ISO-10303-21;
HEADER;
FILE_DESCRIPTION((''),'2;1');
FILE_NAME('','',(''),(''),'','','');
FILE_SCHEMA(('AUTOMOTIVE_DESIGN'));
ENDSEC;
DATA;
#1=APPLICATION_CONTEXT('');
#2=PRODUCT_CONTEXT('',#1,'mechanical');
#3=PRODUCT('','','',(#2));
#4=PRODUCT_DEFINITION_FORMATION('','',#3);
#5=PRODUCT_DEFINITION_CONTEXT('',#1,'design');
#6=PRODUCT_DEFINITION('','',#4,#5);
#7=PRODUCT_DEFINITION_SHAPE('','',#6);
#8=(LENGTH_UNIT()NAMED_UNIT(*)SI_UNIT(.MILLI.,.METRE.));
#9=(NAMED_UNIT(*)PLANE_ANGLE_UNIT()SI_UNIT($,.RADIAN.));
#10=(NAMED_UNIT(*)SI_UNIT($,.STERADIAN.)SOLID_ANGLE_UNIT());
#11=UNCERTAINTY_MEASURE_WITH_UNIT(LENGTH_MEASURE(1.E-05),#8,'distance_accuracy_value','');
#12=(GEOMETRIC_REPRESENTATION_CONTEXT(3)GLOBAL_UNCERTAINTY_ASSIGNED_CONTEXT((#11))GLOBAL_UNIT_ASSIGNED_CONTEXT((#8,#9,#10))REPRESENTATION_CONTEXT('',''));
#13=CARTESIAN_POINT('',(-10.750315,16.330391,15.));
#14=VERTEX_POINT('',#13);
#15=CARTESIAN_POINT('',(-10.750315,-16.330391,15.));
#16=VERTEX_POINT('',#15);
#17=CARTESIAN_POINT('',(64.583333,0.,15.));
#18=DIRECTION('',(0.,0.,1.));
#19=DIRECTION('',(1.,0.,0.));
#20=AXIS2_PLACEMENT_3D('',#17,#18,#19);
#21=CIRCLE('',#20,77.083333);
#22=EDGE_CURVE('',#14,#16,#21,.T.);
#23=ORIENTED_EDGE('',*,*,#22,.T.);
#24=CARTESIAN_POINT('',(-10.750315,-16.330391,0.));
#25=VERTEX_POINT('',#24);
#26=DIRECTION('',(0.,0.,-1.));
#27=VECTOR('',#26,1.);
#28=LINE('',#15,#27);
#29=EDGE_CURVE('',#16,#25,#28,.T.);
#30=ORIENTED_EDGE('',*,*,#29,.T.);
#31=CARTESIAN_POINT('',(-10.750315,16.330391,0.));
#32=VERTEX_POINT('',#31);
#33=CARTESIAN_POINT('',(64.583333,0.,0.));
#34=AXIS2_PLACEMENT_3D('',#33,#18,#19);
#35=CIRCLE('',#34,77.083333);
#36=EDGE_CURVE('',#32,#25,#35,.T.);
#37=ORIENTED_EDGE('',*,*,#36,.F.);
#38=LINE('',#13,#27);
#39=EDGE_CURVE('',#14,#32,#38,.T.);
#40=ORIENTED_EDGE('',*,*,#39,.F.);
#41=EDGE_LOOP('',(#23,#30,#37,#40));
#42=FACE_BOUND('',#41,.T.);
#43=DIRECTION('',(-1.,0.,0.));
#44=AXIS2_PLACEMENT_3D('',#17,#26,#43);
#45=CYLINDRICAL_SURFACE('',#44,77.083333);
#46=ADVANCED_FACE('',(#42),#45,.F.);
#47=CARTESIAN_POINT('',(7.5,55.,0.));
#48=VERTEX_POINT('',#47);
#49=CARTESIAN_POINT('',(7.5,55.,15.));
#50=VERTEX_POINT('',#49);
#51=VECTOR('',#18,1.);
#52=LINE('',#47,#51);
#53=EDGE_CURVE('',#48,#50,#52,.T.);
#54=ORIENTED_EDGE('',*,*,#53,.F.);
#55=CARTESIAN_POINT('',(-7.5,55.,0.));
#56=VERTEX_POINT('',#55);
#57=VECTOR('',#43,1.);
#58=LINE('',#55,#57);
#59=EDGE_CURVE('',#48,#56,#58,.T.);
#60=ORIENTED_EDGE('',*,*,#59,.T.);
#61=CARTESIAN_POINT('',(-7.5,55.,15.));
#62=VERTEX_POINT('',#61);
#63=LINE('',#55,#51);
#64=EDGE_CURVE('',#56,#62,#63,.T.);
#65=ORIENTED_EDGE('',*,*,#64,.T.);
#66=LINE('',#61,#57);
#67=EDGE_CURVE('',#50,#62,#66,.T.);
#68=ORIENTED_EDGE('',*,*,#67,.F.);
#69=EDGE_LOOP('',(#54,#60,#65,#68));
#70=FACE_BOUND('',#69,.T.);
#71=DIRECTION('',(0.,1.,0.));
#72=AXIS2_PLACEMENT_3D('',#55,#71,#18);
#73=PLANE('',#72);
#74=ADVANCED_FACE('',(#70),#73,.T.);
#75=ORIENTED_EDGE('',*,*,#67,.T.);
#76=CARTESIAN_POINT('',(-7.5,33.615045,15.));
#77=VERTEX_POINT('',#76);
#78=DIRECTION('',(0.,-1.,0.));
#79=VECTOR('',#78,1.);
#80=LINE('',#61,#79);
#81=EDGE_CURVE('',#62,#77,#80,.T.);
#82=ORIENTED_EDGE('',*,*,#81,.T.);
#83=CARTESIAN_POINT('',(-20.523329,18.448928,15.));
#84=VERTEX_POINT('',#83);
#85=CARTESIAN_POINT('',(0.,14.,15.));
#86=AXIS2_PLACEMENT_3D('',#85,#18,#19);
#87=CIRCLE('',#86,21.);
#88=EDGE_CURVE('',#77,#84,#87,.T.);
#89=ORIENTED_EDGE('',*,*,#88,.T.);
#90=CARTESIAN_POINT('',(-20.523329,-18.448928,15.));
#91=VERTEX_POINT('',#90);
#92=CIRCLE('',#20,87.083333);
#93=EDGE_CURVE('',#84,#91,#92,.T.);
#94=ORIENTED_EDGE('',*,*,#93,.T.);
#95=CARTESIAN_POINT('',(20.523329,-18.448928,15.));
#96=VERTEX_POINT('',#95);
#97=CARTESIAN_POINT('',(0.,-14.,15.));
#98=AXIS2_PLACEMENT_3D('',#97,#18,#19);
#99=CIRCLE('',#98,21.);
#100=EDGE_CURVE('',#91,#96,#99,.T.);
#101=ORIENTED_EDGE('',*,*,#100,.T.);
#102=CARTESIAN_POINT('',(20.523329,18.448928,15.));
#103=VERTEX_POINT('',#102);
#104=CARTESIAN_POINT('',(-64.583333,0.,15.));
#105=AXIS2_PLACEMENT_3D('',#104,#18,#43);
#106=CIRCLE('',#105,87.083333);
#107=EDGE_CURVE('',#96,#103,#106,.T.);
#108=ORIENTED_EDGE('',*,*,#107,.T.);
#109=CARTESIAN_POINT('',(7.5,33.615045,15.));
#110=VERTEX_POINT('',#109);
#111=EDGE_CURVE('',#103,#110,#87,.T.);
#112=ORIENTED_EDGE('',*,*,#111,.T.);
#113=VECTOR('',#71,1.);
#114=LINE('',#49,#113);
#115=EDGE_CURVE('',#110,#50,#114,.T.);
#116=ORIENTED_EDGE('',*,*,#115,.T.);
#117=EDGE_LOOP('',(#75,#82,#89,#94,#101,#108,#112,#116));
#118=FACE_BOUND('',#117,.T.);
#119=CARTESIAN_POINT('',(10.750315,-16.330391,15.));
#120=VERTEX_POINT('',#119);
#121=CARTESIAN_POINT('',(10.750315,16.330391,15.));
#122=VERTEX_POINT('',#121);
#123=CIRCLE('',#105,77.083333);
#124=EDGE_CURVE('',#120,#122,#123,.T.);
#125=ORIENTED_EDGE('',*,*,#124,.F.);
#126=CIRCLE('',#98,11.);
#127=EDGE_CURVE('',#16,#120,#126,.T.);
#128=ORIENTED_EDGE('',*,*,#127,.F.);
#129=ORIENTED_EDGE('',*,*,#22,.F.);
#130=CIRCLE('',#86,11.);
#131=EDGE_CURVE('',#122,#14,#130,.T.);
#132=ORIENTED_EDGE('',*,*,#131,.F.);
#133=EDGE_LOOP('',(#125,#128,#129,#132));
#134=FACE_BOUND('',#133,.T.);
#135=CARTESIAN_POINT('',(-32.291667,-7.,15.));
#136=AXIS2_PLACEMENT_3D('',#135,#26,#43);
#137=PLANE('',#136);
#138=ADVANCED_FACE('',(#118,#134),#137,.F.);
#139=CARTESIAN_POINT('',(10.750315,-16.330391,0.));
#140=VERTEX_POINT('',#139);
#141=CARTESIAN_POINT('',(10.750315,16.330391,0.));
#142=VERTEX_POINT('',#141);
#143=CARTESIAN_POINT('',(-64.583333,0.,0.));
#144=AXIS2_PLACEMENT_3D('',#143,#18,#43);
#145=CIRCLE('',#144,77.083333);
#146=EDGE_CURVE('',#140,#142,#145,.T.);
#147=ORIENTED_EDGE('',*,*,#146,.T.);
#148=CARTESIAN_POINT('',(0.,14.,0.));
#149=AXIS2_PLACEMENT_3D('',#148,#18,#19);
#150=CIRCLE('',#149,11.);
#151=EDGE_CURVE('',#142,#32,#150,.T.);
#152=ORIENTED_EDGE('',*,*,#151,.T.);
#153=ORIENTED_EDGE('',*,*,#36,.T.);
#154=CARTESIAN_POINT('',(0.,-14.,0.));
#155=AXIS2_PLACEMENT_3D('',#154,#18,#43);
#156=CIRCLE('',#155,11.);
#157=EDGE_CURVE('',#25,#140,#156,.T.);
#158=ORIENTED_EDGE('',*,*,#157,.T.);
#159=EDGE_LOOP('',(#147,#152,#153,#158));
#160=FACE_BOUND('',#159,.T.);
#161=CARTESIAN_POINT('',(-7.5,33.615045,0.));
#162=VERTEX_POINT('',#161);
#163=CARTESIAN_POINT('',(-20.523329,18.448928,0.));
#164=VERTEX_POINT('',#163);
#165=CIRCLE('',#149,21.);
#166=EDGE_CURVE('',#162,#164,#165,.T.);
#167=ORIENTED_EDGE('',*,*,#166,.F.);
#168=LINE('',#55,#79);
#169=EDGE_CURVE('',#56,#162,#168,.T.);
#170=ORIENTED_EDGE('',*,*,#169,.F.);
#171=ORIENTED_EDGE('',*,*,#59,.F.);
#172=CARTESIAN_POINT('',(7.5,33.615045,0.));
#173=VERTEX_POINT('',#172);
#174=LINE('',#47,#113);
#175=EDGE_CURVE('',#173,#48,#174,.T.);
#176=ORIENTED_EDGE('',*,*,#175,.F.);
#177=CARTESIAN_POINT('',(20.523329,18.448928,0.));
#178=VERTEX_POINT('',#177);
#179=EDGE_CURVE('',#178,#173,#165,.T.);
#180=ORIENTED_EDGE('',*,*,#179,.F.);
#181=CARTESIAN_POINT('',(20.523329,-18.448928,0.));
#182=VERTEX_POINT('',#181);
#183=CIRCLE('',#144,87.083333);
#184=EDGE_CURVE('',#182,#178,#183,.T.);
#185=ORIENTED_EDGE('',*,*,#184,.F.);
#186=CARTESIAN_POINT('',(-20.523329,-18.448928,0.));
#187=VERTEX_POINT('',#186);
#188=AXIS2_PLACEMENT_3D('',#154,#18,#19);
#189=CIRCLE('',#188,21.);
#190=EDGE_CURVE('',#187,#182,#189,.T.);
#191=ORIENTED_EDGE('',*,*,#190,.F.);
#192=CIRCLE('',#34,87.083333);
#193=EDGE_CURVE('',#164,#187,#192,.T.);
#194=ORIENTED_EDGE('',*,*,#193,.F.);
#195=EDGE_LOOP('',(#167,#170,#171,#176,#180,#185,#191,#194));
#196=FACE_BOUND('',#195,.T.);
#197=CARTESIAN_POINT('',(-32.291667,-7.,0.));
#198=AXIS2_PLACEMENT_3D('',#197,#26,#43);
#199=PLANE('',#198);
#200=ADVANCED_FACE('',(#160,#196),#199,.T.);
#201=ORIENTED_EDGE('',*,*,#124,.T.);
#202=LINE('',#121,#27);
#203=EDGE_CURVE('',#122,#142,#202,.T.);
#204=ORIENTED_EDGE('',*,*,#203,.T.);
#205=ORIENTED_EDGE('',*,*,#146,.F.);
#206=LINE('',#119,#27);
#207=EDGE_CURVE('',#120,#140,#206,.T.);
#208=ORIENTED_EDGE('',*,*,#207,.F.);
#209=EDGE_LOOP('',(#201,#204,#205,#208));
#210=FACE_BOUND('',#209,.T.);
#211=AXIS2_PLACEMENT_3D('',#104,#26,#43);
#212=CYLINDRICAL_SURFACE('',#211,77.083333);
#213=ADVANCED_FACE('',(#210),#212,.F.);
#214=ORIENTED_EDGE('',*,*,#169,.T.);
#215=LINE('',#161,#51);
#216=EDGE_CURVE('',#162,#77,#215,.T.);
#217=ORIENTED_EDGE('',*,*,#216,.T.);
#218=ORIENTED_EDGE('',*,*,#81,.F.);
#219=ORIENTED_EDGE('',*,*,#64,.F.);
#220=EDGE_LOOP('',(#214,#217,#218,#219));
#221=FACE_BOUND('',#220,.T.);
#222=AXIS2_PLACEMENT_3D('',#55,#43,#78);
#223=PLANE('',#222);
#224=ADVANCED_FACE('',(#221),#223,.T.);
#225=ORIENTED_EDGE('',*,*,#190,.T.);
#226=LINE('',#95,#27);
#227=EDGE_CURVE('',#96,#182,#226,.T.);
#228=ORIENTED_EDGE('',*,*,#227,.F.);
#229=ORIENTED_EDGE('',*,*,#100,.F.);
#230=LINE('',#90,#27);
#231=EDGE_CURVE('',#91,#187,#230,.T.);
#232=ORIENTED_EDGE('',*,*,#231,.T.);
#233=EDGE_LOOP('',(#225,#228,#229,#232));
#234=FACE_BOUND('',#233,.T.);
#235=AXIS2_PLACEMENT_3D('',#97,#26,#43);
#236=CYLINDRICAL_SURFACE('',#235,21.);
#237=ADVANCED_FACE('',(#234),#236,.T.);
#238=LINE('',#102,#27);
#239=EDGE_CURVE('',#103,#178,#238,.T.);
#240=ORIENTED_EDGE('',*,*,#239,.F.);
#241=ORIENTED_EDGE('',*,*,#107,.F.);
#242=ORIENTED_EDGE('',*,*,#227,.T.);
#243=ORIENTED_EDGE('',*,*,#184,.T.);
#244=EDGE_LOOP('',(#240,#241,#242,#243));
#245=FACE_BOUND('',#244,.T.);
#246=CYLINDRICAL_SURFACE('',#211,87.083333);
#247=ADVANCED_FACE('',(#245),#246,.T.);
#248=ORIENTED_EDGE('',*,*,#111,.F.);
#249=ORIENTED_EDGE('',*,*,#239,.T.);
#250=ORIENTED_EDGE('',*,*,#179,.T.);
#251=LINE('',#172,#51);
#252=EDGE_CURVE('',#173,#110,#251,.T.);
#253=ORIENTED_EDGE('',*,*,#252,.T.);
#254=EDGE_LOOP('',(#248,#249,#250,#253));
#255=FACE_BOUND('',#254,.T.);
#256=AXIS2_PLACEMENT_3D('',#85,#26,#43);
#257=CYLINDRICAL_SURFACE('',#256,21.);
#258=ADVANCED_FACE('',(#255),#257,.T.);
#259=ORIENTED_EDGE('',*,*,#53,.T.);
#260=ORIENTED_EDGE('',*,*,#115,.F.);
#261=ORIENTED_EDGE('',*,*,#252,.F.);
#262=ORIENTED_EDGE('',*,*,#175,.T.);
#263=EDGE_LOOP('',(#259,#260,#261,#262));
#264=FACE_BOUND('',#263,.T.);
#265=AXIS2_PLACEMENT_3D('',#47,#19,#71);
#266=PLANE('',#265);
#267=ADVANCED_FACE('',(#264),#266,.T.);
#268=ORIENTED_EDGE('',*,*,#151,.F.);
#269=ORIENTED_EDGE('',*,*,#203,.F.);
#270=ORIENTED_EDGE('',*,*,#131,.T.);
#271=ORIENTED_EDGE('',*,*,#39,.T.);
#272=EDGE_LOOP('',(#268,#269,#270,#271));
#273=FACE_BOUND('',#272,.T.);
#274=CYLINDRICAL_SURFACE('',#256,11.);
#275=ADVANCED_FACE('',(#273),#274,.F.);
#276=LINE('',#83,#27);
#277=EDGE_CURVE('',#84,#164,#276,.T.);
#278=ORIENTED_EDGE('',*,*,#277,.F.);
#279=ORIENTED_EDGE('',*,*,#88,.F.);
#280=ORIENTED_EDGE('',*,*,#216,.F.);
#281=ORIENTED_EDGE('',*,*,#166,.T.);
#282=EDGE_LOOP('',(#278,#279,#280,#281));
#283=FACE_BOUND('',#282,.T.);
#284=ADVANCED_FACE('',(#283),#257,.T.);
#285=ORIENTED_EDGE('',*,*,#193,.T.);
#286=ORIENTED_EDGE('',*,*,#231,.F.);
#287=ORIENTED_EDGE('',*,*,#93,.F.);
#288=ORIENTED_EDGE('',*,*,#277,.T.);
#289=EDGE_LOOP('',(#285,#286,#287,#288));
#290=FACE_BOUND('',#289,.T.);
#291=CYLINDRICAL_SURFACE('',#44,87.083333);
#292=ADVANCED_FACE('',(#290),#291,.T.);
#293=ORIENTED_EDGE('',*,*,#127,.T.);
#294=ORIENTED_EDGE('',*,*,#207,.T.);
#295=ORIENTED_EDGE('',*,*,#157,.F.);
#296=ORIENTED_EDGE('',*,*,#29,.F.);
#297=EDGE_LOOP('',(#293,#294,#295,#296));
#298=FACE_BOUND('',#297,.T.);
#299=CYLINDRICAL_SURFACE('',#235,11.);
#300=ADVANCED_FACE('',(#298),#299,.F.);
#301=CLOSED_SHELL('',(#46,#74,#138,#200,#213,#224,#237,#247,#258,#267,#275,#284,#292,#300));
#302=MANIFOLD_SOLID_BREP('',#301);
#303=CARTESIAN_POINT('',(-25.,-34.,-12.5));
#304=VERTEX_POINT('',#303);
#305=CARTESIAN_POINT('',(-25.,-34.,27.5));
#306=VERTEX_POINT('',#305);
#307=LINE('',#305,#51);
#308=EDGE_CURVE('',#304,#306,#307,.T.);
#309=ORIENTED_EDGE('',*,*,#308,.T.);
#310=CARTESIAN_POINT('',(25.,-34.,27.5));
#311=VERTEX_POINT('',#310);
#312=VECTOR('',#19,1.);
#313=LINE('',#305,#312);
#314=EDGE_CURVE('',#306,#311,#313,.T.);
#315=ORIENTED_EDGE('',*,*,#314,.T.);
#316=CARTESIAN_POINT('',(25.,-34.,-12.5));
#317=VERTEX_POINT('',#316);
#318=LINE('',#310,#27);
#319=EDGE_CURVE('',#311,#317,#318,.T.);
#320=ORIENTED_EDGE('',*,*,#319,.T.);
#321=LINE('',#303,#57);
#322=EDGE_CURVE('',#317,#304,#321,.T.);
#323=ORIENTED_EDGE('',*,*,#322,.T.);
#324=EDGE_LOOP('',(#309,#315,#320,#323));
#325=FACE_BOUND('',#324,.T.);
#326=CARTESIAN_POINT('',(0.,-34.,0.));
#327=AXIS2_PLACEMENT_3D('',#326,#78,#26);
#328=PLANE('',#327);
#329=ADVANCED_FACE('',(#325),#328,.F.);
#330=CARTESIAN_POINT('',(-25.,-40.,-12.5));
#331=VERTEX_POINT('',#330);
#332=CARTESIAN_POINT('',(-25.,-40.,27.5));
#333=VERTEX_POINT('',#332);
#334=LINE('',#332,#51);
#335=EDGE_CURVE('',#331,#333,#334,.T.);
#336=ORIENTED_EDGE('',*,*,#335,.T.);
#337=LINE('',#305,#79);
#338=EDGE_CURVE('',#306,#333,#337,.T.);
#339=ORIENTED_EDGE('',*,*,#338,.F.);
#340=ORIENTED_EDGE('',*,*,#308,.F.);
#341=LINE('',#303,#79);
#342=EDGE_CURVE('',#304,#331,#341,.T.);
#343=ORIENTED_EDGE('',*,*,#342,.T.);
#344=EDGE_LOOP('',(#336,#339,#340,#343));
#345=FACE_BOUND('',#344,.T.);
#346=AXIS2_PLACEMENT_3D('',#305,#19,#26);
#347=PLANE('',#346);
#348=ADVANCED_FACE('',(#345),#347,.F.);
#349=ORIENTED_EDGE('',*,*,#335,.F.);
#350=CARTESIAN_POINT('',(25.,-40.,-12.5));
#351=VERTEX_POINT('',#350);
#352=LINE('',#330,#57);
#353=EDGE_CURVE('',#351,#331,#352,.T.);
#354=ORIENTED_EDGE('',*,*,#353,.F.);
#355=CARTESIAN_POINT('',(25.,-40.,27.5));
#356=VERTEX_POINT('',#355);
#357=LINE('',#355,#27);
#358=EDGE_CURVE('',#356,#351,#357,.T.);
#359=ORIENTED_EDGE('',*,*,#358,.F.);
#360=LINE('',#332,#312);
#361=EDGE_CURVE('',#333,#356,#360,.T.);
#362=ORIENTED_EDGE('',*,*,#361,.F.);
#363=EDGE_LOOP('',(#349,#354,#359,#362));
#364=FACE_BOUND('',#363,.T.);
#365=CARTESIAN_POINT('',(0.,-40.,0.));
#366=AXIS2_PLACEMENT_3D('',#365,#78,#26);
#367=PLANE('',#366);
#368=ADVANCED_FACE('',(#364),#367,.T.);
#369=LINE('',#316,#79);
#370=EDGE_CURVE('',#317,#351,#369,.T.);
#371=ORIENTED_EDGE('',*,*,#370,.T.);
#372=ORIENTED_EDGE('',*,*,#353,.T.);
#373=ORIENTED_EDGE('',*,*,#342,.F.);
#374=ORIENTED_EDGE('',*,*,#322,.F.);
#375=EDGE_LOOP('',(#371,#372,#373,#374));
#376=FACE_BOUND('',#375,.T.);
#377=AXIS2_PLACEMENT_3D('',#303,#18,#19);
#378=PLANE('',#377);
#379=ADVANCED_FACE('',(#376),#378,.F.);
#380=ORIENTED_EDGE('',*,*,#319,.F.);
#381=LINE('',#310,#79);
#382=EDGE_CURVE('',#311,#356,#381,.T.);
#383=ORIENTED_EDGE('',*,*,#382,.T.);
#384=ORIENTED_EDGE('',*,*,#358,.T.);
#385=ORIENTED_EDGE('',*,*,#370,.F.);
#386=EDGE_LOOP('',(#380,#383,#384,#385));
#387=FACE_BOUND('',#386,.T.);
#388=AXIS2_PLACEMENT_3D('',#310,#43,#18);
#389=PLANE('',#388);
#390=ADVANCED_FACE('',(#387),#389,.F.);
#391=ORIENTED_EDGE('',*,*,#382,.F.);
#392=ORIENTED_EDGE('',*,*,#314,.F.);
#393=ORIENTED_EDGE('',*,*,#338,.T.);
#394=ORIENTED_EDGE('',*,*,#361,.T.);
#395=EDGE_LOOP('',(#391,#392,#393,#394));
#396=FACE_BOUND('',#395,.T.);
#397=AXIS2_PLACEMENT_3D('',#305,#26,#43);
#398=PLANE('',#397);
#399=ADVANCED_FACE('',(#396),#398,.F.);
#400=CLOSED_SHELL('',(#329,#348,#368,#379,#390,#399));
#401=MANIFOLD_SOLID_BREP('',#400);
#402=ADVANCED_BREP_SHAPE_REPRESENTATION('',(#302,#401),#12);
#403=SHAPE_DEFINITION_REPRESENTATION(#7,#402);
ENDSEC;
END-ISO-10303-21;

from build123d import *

# Parameters (mm, degrees)
AUFSATZ_LINEAR_AUSTRAGEN1_DEPTH      = 15
SKIZZE2_W                            = 50
SKIZZE2_H                            = 40
AUFSATZ_LINEAR_AUSTRAGEN2_DEPTH      = 1
AUFSATZ_LINEAR_AUSTRAGEN2_DEPTH_BACK = 5
SKIZZE3_W                            = 15
SKIZZE3_H                            = 21.384954754
AUFSATZ_LINEAR_AUSTRAGEN3_DEPTH      = 15


with BuildPart() as part:
    # Skizze1 → Aufsatz-Linear austragen1 (new body)
    with BuildSketch(Plane.XY):
        with BuildLine():
            ThreePointArc((20.52332913, 18.448928121), (0, 35), (-20.52332913, 18.448928121))
            ThreePointArc((-20.52332913, 18.448928121), (-22.5, 0), (-20.52332913, -18.448928121))
            ThreePointArc((-20.52332913, -18.448928121), (0, -35), (20.52332913, -18.448928121))
            ThreePointArc((20.52332913, -18.448928121), (22.5, 0), (20.52332913, 18.448928121))
        make_face()
        with BuildLine():
            ThreePointArc((10.750315259, 16.330390921), (0, 25), (-10.750315259, 16.330390921))
            ThreePointArc((-10.750315259, 16.330390921), (-12.5, 0), (-10.750315259, -16.330390921))
            ThreePointArc((-10.750315259, -16.330390921), (-6.905276963, -22.562543434), (0, -25))
            ThreePointArc((0, -25), (6.905276963, -22.562543434), (10.750315259, -16.330390921))
            ThreePointArc((10.750315259, -16.330390921), (12.5, 0), (10.750315259, 16.330390921))
        make_face(mode=Mode.SUBTRACT)
    extrude(amount=AUFSATZ_LINEAR_AUSTRAGEN1_DEPTH)

    # Skizze3 → Aufsatz-Linear austragen3 (add)
    with BuildSketch(Plane.XY.offset(15)):
        with Locations((0, 44.307522623)):
            Rectangle(SKIZZE3_W, SKIZZE3_H)
    extrude(amount=-AUFSATZ_LINEAR_AUSTRAGEN3_DEPTH)


with BuildPart() as body_2:
    # Skizze2 → Aufsatz-Linear austragen2 (new body, two sides)
    with BuildSketch(Plane(origin=(0, -35, 0), x_dir=(1, 0, 0), z_dir=(0, 1, 0))) as aufsatz_linear_austragen2_sk:
        with Locations((0, -7.5)):
            Rectangle(SKIZZE2_W, SKIZZE2_H)
    extrude(amount=AUFSATZ_LINEAR_AUSTRAGEN2_DEPTH)
    extrude(aufsatz_linear_austragen2_sk.sketch, amount=-AUFSATZ_LINEAR_AUSTRAGEN2_DEPTH_BACK)


solid = Compound([part.part, body_2.part])
